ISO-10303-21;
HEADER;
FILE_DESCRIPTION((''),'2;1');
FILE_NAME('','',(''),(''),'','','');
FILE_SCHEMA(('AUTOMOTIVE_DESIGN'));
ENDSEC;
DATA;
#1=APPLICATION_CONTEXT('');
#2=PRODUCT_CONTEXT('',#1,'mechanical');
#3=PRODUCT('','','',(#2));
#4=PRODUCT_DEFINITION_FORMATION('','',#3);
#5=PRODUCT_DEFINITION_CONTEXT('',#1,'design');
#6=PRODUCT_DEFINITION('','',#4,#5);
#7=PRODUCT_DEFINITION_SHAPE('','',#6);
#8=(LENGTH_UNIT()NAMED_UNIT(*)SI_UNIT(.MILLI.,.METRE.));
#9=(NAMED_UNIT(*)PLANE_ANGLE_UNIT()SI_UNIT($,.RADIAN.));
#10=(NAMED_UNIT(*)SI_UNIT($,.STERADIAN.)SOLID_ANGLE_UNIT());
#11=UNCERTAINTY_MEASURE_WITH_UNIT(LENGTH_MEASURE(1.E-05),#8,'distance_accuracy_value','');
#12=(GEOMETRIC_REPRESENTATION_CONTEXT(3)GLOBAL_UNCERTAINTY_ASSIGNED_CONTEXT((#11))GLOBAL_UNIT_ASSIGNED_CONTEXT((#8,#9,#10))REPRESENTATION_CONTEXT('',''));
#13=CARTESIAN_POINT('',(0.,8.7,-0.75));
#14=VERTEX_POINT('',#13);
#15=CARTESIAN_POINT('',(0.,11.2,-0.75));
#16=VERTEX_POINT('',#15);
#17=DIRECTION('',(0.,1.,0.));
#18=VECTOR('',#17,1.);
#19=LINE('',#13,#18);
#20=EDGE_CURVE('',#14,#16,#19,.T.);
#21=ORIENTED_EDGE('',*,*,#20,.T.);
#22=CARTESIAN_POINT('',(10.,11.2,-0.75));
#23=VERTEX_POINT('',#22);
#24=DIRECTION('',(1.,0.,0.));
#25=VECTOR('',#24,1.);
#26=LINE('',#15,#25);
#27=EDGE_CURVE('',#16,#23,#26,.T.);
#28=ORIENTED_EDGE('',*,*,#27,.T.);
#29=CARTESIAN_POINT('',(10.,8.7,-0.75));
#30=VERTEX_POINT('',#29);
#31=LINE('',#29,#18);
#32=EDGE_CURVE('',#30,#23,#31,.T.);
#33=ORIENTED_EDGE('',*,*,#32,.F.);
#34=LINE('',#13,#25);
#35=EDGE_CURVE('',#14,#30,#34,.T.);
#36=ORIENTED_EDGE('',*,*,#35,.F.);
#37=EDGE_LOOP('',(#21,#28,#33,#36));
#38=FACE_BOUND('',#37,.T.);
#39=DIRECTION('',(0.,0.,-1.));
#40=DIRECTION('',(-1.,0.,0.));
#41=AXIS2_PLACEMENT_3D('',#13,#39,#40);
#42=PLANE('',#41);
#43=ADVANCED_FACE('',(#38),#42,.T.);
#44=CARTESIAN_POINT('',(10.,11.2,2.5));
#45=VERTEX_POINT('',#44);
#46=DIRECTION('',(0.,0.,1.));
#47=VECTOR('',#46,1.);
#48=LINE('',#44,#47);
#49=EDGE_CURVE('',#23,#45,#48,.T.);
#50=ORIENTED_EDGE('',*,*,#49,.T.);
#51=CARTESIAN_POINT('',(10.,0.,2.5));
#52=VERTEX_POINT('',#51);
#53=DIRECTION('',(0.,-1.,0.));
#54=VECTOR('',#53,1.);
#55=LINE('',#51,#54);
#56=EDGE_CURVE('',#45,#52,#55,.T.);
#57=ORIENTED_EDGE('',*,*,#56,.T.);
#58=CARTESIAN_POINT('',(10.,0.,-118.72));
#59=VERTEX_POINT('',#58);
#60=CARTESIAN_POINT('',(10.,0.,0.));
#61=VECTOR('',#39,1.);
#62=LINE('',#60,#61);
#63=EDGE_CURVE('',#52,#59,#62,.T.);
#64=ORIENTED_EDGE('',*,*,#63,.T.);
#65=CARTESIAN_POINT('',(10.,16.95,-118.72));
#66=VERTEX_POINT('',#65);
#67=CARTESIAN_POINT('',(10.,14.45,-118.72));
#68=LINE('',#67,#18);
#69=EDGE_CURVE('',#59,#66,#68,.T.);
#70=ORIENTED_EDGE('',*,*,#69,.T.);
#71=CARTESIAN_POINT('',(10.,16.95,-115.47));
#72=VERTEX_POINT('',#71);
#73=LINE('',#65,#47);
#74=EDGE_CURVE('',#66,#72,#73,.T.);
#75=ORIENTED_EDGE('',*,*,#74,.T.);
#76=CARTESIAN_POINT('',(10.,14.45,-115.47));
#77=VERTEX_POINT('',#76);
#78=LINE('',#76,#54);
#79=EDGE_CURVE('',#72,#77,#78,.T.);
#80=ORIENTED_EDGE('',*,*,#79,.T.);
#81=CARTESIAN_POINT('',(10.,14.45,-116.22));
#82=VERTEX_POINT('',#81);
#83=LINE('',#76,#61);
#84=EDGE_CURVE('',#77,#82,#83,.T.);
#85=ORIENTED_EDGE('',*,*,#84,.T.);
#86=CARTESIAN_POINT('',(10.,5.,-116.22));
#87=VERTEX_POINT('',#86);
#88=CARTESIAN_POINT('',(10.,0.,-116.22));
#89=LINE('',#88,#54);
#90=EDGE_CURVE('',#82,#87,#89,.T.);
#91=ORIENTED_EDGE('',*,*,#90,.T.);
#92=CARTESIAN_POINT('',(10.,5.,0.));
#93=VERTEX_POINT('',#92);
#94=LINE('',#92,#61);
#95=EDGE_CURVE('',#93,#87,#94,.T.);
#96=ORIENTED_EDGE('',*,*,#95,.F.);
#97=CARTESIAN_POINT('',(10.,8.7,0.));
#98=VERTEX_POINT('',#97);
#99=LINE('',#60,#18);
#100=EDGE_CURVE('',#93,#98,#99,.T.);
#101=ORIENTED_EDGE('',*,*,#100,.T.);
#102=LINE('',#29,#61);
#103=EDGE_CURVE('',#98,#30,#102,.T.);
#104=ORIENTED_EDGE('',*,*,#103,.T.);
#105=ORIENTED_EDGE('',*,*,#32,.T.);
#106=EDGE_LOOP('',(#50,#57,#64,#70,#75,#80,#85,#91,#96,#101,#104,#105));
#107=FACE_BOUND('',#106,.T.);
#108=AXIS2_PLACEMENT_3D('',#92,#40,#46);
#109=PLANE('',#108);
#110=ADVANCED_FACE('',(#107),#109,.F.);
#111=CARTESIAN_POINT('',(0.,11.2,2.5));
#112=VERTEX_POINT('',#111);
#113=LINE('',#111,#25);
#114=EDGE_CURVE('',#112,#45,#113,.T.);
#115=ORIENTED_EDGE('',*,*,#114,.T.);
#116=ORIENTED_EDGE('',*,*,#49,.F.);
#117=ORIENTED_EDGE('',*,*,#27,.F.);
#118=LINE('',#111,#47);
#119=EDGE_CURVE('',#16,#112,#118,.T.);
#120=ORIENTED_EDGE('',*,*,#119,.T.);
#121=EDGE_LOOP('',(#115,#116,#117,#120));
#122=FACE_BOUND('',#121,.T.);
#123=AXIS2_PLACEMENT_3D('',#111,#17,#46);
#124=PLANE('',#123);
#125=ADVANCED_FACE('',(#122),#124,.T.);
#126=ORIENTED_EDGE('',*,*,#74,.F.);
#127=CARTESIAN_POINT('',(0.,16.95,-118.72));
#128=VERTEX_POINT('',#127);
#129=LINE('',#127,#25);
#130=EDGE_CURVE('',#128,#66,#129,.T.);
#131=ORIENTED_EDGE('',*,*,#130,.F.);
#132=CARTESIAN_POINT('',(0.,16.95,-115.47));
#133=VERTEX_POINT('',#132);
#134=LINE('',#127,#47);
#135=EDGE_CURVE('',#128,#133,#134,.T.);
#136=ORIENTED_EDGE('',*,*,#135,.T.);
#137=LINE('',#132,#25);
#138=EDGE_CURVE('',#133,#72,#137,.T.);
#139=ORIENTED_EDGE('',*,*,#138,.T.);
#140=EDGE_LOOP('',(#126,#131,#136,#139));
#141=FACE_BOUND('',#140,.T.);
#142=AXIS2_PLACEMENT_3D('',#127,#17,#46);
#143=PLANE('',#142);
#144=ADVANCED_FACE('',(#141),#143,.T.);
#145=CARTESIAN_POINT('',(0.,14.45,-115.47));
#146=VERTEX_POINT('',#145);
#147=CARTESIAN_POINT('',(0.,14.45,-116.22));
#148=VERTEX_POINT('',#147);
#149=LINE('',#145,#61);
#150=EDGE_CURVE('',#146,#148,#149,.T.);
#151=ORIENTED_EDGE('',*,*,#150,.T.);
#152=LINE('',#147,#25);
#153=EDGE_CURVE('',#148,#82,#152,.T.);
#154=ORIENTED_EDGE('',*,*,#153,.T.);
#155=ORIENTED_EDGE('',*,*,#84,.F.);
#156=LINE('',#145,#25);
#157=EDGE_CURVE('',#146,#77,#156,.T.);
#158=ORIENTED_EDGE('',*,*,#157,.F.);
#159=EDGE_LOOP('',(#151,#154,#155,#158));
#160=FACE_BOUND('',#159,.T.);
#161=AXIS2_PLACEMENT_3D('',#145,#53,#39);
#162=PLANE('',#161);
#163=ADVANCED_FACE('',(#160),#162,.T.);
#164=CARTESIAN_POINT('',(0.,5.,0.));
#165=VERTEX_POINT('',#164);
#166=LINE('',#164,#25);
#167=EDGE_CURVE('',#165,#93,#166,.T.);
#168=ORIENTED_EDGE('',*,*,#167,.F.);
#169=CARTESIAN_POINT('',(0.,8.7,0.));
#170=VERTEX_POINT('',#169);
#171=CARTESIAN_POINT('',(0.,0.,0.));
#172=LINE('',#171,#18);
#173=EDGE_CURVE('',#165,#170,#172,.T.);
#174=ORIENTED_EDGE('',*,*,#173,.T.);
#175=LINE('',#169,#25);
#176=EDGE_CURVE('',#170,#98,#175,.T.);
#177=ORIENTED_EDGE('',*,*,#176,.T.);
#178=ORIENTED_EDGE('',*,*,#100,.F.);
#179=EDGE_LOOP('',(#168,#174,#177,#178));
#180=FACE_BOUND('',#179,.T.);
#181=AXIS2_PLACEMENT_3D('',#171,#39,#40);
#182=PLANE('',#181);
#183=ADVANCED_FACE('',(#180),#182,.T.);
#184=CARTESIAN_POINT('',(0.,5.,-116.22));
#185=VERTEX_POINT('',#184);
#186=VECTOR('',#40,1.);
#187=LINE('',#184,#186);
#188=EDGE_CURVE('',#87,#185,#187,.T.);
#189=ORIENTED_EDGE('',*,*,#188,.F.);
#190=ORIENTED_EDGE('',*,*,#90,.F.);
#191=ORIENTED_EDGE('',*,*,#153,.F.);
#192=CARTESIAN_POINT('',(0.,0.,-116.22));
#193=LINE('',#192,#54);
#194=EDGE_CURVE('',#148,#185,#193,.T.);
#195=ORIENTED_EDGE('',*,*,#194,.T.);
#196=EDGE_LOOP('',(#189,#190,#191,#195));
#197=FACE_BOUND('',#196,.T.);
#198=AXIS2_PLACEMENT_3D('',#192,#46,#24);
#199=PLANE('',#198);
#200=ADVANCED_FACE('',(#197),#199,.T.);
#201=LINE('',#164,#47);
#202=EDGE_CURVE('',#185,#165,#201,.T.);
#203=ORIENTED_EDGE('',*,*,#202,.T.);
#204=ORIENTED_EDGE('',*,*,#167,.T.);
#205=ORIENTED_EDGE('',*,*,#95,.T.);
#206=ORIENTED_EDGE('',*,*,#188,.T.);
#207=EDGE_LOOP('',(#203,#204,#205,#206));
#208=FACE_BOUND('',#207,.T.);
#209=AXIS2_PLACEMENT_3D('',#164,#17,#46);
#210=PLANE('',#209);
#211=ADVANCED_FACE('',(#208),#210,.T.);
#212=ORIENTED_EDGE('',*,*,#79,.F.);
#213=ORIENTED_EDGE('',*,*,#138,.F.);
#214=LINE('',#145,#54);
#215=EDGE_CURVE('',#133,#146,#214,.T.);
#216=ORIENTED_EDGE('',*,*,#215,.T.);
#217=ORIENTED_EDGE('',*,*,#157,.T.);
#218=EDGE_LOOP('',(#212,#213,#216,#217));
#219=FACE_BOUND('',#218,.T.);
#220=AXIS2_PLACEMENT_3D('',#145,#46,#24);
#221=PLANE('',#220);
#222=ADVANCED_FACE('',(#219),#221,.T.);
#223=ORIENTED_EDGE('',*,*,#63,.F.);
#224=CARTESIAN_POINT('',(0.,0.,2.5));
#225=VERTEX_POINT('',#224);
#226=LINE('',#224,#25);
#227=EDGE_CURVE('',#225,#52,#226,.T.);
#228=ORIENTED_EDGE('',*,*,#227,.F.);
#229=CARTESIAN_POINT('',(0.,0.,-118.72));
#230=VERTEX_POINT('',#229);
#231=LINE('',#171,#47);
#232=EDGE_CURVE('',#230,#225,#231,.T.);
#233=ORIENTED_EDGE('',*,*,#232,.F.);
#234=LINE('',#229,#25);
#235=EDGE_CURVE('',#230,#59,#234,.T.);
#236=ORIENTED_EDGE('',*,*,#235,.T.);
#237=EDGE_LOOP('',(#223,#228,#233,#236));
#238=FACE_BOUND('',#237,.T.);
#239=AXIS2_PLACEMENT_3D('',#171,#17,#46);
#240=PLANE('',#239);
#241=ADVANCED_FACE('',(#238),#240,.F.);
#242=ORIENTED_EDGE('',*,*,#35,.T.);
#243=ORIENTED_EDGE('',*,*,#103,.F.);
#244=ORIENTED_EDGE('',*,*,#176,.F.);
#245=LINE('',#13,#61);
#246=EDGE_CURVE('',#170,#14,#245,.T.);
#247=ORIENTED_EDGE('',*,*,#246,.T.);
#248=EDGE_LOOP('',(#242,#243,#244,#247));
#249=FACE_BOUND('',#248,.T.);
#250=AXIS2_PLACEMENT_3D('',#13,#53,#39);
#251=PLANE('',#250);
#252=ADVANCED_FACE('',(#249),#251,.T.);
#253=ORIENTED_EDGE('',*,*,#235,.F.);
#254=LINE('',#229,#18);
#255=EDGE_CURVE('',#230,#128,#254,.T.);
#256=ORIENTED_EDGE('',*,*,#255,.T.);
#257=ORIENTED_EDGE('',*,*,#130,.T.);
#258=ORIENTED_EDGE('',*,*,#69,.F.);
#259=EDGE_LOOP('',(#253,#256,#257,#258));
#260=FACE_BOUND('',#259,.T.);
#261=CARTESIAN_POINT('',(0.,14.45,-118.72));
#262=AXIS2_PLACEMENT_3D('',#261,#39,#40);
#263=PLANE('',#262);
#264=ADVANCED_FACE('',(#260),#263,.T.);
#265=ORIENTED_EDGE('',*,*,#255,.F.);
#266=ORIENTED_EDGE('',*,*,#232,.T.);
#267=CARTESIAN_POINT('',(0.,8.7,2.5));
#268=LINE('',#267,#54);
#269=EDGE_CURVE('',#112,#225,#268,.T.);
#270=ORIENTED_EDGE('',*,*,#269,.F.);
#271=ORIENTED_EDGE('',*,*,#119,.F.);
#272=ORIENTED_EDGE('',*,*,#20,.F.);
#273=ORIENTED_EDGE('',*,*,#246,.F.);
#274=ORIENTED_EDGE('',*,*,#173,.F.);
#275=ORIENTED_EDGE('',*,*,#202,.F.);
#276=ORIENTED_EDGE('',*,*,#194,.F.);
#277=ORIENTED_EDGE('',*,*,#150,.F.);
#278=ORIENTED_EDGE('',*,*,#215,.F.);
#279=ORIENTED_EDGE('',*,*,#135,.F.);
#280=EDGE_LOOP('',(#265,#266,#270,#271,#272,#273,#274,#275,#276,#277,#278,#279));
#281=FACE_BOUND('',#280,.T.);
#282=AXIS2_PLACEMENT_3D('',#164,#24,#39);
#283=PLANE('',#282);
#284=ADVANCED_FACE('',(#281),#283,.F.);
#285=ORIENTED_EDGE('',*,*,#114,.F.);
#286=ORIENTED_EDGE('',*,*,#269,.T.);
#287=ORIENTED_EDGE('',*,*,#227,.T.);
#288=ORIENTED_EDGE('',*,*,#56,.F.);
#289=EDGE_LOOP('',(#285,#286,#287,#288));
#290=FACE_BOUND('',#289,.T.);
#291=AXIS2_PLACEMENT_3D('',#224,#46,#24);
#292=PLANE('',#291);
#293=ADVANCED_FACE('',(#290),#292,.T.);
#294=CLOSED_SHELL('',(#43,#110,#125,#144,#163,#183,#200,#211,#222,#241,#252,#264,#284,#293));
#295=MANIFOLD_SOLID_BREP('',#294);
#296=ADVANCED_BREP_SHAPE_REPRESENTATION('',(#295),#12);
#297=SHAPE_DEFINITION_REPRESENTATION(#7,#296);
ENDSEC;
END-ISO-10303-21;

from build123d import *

# Parameters (mm, degrees)
SKETCH1_W           = 10
SKETCH1_H           = 116.22
BOSS_EXTRUDE1_DEPTH = 5
BOSS_EXTRUDE2_DEPTH = 10


with BuildPart() as part:
    # Sketch1 → Boss-Extrude1 (new body)
    with BuildSketch(Plane(origin=(0, 0, 0), x_dir=(1, 0, 0), z_dir=(0, 1, 0))):
        with Locations((5, 58.11)):
            Rectangle(SKETCH1_W, SKETCH1_H)
    extrude(amount=BOSS_EXTRUDE1_DEPTH)

    # Sketch3 → Boss-Extrude2 (add, through all)
    with BuildSketch(Plane(origin=(10, 0, 0), x_dir=(0, 0, -1), z_dir=(1, 0, 0))):
        Polygon((0.75, 8.7), (0, 8.7), (0, 0), (-2.5, 0), (-2.5, 8.7), (-2.5, 11.2), (0.75, 11.2), align=None)
        Polygon((116.22, 0), (118.72, 0), (118.72, 14.45), (118.72, 16.95), (115.47, 16.95), (115.47, 14.45), (116.22, 14.45), align=None)
    extrude(amount=-BOSS_EXTRUDE2_DEPTH)


solid = part.part
